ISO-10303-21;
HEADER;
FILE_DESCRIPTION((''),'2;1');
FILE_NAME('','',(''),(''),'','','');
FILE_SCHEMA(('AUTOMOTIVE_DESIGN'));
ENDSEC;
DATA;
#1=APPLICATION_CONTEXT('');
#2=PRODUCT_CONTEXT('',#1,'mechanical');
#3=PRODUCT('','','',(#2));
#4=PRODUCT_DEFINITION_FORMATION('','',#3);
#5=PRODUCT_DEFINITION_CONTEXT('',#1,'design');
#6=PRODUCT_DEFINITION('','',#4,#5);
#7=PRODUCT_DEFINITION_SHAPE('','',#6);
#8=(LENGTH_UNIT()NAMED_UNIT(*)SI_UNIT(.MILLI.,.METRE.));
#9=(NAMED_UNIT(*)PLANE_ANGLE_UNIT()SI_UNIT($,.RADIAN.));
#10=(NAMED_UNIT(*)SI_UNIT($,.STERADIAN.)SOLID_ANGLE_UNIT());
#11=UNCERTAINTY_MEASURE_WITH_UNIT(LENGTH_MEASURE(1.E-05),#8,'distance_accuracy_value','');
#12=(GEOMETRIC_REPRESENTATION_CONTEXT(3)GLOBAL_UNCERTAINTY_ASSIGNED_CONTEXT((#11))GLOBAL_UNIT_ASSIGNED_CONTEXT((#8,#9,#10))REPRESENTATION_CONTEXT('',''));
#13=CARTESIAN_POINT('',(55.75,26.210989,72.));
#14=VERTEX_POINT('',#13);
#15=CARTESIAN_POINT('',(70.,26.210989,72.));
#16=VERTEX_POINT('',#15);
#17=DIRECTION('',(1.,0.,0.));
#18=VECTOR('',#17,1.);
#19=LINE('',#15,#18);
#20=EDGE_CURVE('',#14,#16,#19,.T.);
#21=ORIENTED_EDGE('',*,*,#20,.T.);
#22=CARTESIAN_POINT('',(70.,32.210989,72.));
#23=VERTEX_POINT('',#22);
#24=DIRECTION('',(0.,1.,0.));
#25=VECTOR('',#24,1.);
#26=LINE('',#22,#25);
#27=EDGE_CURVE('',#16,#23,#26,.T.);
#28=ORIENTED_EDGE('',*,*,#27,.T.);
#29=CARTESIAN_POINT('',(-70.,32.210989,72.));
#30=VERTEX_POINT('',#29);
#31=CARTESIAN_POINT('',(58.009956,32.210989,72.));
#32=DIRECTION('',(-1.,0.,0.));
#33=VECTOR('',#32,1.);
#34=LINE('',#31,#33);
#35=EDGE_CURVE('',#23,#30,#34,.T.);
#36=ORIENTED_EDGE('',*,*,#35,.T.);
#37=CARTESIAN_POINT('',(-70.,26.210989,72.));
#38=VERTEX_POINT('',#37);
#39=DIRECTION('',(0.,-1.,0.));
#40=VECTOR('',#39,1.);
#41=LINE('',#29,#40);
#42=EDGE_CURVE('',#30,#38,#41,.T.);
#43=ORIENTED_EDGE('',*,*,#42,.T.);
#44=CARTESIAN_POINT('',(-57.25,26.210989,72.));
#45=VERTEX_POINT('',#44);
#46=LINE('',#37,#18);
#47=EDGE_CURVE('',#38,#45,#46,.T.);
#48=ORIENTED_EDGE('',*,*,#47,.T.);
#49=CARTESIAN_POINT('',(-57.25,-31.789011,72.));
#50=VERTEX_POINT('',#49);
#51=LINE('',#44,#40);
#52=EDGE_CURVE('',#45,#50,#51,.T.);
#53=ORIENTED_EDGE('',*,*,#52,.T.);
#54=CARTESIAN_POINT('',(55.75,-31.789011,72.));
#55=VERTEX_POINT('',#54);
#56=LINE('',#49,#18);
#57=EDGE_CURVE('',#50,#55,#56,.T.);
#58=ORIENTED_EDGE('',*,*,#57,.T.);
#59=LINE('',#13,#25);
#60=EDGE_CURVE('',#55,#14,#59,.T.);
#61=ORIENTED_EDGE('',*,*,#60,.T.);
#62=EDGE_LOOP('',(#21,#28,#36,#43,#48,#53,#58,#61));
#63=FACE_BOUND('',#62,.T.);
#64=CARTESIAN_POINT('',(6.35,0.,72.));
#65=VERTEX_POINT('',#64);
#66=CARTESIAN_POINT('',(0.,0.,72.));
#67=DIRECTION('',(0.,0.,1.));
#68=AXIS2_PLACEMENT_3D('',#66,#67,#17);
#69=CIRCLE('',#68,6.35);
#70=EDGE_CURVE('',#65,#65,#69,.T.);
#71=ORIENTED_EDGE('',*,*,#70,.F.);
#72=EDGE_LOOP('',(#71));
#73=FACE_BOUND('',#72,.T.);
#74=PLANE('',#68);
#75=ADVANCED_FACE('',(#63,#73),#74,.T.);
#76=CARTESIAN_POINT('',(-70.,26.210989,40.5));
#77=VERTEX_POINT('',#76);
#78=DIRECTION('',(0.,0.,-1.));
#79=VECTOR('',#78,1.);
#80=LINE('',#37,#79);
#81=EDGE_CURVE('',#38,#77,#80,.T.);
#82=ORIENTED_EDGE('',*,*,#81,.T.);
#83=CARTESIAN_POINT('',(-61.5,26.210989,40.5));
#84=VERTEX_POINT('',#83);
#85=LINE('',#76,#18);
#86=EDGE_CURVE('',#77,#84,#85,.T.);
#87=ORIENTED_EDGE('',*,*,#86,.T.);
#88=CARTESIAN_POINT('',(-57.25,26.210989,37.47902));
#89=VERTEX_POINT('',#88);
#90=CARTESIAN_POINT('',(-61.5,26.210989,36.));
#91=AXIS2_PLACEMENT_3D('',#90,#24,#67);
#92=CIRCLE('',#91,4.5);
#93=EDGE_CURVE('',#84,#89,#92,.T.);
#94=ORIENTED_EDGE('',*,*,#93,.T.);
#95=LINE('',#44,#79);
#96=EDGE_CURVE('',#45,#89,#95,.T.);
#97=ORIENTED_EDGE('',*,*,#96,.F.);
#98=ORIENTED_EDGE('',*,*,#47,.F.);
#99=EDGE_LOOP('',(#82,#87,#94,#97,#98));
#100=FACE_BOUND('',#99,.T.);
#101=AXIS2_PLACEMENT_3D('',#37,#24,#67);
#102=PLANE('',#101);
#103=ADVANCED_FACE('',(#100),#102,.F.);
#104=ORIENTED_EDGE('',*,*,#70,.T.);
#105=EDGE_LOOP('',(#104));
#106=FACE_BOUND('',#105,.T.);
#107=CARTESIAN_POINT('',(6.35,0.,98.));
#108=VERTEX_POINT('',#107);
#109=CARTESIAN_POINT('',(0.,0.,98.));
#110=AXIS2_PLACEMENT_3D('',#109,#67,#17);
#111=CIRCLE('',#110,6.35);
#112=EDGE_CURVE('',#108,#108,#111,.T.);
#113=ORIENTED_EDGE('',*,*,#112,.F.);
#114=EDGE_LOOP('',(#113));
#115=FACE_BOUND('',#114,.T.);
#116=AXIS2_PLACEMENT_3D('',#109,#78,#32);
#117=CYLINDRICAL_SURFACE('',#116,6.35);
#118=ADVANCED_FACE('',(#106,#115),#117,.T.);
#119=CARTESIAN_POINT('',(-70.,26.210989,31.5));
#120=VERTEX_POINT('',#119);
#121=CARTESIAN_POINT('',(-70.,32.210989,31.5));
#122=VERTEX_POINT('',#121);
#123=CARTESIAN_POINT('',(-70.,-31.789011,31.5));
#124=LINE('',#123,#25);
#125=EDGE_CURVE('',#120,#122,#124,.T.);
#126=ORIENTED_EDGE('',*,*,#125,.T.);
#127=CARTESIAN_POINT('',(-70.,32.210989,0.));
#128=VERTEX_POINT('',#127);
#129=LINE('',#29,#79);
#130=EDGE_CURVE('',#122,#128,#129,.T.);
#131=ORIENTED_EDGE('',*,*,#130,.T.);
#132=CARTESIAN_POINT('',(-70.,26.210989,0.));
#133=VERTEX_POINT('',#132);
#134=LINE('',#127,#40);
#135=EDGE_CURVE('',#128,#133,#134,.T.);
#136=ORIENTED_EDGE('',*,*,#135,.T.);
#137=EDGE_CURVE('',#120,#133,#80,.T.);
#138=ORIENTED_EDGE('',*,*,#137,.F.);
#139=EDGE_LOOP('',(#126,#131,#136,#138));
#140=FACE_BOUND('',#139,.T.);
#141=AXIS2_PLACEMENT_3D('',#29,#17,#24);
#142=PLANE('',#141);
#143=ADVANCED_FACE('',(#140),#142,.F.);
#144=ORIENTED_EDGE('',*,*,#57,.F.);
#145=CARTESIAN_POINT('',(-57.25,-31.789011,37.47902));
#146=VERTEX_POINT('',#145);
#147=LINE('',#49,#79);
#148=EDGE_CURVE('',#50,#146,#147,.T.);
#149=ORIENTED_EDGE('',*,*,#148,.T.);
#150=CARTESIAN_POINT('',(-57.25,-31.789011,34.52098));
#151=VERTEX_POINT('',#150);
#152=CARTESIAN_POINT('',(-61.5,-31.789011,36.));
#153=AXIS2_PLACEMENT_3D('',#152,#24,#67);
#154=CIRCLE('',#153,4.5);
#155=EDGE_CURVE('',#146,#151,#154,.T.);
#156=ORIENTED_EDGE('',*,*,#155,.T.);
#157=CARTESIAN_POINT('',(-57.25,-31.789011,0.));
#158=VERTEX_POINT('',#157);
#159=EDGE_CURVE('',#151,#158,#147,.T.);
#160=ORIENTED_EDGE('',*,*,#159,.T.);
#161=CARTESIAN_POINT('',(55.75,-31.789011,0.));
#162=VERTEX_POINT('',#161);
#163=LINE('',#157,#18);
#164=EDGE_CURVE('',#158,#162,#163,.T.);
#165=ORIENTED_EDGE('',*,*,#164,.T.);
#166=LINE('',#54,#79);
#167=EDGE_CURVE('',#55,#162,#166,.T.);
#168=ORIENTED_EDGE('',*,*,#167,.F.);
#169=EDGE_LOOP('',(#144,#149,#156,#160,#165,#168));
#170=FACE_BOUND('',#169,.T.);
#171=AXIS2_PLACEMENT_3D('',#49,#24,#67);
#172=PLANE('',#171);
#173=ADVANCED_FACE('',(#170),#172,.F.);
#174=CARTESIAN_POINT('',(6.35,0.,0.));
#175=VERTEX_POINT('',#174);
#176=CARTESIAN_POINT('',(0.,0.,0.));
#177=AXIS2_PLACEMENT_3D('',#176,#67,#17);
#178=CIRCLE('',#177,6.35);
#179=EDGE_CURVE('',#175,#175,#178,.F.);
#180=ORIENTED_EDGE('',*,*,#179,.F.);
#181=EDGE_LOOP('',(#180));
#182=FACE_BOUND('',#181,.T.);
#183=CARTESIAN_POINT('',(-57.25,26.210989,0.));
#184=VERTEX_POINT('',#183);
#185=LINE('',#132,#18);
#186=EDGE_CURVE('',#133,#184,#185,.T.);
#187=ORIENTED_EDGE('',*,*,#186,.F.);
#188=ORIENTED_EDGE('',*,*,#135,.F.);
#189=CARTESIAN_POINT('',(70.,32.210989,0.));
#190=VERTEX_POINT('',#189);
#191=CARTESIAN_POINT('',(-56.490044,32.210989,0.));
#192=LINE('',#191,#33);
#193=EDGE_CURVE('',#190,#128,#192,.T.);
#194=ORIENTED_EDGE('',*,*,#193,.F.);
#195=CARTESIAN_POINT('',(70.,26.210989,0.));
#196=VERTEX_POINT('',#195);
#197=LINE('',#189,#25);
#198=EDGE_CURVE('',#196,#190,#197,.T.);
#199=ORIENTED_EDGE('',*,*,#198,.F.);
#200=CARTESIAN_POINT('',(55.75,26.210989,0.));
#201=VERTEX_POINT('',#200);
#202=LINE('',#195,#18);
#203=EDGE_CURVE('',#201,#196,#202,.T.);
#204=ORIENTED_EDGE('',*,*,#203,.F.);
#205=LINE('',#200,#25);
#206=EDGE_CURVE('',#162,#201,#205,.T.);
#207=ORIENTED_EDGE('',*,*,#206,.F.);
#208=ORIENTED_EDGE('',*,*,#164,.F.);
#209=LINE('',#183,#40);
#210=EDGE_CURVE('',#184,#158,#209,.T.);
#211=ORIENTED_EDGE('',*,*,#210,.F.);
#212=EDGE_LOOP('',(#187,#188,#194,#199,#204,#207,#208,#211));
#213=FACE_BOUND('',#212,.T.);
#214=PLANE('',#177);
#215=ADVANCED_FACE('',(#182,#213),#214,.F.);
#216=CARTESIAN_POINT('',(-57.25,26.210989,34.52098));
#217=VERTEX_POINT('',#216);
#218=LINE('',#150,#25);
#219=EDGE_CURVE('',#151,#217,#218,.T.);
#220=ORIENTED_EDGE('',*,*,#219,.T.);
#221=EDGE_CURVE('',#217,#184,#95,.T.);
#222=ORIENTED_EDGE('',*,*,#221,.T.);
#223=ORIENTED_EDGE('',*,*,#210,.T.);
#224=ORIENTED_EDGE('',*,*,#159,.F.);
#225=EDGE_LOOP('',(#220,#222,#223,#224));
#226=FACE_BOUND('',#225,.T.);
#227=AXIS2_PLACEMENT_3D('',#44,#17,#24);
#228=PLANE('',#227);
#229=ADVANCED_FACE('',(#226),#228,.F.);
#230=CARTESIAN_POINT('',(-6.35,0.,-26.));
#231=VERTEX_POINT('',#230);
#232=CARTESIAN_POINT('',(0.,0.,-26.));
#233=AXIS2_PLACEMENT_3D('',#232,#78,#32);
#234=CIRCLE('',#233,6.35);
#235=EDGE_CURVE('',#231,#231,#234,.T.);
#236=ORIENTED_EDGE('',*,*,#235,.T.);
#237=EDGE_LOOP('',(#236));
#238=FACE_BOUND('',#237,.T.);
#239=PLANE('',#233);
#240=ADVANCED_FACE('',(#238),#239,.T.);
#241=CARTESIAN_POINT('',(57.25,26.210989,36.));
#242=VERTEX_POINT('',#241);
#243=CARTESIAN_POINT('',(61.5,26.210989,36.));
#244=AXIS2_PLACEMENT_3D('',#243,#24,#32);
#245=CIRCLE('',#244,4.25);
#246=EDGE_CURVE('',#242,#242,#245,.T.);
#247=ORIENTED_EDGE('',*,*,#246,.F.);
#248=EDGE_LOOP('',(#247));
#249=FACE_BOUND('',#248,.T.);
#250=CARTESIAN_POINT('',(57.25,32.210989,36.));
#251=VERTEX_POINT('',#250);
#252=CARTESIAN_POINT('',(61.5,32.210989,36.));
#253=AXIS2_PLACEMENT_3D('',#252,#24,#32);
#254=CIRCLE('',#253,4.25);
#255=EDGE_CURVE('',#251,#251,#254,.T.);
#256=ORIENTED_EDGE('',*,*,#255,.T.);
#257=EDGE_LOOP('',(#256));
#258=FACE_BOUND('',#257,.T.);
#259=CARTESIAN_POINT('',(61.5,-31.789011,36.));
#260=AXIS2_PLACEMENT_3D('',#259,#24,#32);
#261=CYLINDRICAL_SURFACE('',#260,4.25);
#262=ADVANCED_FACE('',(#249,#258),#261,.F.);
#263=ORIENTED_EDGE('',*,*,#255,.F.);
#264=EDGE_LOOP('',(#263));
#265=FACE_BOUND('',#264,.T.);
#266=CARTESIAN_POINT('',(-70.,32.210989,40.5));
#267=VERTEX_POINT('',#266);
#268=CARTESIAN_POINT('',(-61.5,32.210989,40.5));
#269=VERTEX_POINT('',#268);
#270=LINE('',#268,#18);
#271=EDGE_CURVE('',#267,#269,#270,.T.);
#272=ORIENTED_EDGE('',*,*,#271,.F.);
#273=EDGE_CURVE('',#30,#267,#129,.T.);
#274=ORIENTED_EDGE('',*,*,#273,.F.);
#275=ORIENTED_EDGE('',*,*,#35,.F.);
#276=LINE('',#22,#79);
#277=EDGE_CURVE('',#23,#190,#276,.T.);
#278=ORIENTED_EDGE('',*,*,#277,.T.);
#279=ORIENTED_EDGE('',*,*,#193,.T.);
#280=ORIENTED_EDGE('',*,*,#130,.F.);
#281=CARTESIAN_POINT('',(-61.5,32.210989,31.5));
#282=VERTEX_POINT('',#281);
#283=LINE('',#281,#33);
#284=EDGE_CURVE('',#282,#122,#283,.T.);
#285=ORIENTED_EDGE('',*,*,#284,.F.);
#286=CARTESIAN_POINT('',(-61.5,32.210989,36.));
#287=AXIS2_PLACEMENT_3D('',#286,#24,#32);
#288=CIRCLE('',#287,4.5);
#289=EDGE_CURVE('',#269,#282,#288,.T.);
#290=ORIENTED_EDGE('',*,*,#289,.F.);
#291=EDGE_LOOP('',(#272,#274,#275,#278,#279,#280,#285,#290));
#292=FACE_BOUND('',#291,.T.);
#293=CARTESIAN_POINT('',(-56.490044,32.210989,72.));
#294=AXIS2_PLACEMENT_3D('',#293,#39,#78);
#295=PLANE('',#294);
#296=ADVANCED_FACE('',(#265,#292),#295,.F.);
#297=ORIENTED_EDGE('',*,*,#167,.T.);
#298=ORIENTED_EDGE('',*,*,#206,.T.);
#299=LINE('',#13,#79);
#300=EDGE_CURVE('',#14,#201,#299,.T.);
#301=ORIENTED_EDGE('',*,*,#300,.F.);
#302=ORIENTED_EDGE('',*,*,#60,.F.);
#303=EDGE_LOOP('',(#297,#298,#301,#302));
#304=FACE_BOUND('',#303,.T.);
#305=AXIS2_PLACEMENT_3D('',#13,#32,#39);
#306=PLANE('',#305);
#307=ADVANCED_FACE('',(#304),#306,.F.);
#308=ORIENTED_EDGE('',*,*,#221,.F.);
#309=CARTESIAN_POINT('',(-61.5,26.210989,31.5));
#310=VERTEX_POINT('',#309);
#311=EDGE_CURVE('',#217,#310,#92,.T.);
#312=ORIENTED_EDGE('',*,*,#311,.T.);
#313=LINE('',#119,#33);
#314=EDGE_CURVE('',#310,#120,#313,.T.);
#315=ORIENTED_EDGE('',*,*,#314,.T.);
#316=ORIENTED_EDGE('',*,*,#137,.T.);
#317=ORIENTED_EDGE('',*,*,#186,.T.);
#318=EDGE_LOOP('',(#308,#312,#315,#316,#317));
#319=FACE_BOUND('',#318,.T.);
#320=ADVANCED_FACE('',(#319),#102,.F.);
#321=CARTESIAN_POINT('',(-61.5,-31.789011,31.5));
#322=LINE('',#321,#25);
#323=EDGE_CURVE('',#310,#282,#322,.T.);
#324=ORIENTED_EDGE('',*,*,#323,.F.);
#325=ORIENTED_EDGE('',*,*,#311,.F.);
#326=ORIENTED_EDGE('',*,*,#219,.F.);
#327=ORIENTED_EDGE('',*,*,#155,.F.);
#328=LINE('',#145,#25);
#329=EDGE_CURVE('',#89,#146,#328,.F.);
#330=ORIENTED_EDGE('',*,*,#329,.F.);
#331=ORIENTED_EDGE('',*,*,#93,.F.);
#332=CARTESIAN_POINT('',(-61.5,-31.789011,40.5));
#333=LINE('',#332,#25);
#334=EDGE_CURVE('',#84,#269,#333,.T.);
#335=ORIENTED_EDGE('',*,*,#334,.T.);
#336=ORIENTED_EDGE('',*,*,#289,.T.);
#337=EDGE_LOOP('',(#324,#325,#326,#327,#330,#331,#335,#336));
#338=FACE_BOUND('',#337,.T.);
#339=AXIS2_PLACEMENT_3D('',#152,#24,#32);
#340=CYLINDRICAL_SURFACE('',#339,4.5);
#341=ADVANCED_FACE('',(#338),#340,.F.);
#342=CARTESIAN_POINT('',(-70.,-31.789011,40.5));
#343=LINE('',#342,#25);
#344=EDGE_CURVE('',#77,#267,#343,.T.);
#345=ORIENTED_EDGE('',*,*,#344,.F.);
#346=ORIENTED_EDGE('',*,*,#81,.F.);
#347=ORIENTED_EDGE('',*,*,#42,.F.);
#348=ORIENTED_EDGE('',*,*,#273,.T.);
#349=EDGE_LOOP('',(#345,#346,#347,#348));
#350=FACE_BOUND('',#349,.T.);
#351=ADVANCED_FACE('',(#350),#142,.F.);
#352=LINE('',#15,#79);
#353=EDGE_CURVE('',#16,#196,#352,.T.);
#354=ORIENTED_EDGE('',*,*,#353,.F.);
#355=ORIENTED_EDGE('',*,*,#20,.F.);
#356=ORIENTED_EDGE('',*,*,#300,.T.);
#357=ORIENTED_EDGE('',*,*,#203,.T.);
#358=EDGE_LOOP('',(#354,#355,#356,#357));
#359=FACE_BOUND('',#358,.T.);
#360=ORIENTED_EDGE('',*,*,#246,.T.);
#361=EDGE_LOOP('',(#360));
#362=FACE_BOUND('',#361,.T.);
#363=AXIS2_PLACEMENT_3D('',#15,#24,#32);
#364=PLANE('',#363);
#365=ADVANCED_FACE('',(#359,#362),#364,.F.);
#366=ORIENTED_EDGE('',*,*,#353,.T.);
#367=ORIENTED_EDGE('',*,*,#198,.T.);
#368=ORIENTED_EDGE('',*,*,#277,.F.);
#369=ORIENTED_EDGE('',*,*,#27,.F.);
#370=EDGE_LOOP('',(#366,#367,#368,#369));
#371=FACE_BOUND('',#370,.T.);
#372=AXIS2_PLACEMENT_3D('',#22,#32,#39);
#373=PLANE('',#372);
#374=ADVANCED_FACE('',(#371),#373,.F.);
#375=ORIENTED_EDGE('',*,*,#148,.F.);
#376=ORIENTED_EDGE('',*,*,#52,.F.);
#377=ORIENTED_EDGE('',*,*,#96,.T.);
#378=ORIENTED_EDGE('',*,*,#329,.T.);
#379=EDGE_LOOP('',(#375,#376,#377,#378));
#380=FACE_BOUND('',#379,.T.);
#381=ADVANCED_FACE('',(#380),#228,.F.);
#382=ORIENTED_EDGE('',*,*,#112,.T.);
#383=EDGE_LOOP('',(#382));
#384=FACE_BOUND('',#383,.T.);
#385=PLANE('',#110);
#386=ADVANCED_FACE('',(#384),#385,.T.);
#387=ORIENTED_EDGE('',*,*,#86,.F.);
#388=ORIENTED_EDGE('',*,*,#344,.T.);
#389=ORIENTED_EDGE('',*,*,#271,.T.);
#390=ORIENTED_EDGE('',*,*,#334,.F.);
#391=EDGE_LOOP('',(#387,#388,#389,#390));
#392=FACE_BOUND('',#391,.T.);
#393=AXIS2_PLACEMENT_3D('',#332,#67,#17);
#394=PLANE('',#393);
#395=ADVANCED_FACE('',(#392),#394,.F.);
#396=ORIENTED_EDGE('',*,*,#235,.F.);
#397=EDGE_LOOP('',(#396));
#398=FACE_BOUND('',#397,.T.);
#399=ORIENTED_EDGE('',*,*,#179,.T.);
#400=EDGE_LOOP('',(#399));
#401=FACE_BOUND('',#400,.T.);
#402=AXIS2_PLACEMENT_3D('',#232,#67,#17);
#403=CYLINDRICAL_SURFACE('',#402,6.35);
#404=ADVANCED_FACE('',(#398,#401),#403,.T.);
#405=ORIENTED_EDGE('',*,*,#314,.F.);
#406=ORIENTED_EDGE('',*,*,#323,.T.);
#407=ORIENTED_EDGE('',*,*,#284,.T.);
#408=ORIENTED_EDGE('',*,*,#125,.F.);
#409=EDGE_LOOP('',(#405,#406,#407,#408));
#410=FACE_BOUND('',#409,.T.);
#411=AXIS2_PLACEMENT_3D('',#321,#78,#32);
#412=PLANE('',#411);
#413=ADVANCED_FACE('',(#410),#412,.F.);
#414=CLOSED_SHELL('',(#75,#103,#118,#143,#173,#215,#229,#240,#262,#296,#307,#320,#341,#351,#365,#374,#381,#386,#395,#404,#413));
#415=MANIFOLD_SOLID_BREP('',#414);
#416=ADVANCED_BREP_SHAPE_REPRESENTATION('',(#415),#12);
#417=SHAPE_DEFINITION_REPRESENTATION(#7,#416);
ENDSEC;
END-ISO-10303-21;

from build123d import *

# Parameters (mm, degrees)
BOSS_EXTRUDE1_DEPTH = 72
SKETCH2_R           = 4.25
CUT_EXTRUDE1_DEPTH  = 65
SKETCH3_R           = 6.35
BOSS_EXTRUDE2_DEPTH = 26
SKETCH5_R           = 6.35
BOSS_EXTRUDE3_DEPTH = 26


with BuildPart() as part:
    # Sketch1 → Boss-Extrude1 (new body)
    with BuildSketch(Plane.XY):
        Polygon((-56.490044248, 32.210989011), (58.009955752, 32.210989011), (70, 32.210989011), (70, 26.210989011), (55.75, 26.210989011), (55.75, -31.789010989), (-57.25, -31.789010989), (-57.25, 26.210989011), (-70, 26.210989011), (-70, 32.210989011), align=None)
    extrude(amount=BOSS_EXTRUDE1_DEPTH)

    # Sketch2 → Cut-Extrude1 (cut, through all)
    with BuildSketch(Plane(origin=(0, 32.210989011, 0), x_dir=(1, 0, 0), z_dir=(0, 1, 0))):
        with Locations((61.5, -36)):
            Circle(SKETCH2_R)
        with BuildLine():
            Line((-61.5, -31.5), (-70, -31.5))
            Line((-70, -31.5), (-70, -40.5))
            Line((-70, -40.5), (-61.5, -40.5))
            ThreePointArc((-61.5, -40.5), (-57, -36), (-61.5, -31.5))
        make_face()
    extrude(amount=-CUT_EXTRUDE1_DEPTH, mode=Mode.SUBTRACT)

    # Sketch3 → Boss-Extrude2 (add)
    with BuildSketch(Plane.XY.offset(72)):
        Circle(SKETCH3_R)
    extrude(amount=BOSS_EXTRUDE2_DEPTH)

    # Sketch5 → Boss-Extrude3 (add)
    with BuildSketch(Plane(origin=(0, 0, 0), x_dir=(-1, 0, 0), z_dir=(0, 0, -1))):
        Circle(SKETCH5_R)
    extrude(amount=BOSS_EXTRUDE3_DEPTH)


solid = part.part
